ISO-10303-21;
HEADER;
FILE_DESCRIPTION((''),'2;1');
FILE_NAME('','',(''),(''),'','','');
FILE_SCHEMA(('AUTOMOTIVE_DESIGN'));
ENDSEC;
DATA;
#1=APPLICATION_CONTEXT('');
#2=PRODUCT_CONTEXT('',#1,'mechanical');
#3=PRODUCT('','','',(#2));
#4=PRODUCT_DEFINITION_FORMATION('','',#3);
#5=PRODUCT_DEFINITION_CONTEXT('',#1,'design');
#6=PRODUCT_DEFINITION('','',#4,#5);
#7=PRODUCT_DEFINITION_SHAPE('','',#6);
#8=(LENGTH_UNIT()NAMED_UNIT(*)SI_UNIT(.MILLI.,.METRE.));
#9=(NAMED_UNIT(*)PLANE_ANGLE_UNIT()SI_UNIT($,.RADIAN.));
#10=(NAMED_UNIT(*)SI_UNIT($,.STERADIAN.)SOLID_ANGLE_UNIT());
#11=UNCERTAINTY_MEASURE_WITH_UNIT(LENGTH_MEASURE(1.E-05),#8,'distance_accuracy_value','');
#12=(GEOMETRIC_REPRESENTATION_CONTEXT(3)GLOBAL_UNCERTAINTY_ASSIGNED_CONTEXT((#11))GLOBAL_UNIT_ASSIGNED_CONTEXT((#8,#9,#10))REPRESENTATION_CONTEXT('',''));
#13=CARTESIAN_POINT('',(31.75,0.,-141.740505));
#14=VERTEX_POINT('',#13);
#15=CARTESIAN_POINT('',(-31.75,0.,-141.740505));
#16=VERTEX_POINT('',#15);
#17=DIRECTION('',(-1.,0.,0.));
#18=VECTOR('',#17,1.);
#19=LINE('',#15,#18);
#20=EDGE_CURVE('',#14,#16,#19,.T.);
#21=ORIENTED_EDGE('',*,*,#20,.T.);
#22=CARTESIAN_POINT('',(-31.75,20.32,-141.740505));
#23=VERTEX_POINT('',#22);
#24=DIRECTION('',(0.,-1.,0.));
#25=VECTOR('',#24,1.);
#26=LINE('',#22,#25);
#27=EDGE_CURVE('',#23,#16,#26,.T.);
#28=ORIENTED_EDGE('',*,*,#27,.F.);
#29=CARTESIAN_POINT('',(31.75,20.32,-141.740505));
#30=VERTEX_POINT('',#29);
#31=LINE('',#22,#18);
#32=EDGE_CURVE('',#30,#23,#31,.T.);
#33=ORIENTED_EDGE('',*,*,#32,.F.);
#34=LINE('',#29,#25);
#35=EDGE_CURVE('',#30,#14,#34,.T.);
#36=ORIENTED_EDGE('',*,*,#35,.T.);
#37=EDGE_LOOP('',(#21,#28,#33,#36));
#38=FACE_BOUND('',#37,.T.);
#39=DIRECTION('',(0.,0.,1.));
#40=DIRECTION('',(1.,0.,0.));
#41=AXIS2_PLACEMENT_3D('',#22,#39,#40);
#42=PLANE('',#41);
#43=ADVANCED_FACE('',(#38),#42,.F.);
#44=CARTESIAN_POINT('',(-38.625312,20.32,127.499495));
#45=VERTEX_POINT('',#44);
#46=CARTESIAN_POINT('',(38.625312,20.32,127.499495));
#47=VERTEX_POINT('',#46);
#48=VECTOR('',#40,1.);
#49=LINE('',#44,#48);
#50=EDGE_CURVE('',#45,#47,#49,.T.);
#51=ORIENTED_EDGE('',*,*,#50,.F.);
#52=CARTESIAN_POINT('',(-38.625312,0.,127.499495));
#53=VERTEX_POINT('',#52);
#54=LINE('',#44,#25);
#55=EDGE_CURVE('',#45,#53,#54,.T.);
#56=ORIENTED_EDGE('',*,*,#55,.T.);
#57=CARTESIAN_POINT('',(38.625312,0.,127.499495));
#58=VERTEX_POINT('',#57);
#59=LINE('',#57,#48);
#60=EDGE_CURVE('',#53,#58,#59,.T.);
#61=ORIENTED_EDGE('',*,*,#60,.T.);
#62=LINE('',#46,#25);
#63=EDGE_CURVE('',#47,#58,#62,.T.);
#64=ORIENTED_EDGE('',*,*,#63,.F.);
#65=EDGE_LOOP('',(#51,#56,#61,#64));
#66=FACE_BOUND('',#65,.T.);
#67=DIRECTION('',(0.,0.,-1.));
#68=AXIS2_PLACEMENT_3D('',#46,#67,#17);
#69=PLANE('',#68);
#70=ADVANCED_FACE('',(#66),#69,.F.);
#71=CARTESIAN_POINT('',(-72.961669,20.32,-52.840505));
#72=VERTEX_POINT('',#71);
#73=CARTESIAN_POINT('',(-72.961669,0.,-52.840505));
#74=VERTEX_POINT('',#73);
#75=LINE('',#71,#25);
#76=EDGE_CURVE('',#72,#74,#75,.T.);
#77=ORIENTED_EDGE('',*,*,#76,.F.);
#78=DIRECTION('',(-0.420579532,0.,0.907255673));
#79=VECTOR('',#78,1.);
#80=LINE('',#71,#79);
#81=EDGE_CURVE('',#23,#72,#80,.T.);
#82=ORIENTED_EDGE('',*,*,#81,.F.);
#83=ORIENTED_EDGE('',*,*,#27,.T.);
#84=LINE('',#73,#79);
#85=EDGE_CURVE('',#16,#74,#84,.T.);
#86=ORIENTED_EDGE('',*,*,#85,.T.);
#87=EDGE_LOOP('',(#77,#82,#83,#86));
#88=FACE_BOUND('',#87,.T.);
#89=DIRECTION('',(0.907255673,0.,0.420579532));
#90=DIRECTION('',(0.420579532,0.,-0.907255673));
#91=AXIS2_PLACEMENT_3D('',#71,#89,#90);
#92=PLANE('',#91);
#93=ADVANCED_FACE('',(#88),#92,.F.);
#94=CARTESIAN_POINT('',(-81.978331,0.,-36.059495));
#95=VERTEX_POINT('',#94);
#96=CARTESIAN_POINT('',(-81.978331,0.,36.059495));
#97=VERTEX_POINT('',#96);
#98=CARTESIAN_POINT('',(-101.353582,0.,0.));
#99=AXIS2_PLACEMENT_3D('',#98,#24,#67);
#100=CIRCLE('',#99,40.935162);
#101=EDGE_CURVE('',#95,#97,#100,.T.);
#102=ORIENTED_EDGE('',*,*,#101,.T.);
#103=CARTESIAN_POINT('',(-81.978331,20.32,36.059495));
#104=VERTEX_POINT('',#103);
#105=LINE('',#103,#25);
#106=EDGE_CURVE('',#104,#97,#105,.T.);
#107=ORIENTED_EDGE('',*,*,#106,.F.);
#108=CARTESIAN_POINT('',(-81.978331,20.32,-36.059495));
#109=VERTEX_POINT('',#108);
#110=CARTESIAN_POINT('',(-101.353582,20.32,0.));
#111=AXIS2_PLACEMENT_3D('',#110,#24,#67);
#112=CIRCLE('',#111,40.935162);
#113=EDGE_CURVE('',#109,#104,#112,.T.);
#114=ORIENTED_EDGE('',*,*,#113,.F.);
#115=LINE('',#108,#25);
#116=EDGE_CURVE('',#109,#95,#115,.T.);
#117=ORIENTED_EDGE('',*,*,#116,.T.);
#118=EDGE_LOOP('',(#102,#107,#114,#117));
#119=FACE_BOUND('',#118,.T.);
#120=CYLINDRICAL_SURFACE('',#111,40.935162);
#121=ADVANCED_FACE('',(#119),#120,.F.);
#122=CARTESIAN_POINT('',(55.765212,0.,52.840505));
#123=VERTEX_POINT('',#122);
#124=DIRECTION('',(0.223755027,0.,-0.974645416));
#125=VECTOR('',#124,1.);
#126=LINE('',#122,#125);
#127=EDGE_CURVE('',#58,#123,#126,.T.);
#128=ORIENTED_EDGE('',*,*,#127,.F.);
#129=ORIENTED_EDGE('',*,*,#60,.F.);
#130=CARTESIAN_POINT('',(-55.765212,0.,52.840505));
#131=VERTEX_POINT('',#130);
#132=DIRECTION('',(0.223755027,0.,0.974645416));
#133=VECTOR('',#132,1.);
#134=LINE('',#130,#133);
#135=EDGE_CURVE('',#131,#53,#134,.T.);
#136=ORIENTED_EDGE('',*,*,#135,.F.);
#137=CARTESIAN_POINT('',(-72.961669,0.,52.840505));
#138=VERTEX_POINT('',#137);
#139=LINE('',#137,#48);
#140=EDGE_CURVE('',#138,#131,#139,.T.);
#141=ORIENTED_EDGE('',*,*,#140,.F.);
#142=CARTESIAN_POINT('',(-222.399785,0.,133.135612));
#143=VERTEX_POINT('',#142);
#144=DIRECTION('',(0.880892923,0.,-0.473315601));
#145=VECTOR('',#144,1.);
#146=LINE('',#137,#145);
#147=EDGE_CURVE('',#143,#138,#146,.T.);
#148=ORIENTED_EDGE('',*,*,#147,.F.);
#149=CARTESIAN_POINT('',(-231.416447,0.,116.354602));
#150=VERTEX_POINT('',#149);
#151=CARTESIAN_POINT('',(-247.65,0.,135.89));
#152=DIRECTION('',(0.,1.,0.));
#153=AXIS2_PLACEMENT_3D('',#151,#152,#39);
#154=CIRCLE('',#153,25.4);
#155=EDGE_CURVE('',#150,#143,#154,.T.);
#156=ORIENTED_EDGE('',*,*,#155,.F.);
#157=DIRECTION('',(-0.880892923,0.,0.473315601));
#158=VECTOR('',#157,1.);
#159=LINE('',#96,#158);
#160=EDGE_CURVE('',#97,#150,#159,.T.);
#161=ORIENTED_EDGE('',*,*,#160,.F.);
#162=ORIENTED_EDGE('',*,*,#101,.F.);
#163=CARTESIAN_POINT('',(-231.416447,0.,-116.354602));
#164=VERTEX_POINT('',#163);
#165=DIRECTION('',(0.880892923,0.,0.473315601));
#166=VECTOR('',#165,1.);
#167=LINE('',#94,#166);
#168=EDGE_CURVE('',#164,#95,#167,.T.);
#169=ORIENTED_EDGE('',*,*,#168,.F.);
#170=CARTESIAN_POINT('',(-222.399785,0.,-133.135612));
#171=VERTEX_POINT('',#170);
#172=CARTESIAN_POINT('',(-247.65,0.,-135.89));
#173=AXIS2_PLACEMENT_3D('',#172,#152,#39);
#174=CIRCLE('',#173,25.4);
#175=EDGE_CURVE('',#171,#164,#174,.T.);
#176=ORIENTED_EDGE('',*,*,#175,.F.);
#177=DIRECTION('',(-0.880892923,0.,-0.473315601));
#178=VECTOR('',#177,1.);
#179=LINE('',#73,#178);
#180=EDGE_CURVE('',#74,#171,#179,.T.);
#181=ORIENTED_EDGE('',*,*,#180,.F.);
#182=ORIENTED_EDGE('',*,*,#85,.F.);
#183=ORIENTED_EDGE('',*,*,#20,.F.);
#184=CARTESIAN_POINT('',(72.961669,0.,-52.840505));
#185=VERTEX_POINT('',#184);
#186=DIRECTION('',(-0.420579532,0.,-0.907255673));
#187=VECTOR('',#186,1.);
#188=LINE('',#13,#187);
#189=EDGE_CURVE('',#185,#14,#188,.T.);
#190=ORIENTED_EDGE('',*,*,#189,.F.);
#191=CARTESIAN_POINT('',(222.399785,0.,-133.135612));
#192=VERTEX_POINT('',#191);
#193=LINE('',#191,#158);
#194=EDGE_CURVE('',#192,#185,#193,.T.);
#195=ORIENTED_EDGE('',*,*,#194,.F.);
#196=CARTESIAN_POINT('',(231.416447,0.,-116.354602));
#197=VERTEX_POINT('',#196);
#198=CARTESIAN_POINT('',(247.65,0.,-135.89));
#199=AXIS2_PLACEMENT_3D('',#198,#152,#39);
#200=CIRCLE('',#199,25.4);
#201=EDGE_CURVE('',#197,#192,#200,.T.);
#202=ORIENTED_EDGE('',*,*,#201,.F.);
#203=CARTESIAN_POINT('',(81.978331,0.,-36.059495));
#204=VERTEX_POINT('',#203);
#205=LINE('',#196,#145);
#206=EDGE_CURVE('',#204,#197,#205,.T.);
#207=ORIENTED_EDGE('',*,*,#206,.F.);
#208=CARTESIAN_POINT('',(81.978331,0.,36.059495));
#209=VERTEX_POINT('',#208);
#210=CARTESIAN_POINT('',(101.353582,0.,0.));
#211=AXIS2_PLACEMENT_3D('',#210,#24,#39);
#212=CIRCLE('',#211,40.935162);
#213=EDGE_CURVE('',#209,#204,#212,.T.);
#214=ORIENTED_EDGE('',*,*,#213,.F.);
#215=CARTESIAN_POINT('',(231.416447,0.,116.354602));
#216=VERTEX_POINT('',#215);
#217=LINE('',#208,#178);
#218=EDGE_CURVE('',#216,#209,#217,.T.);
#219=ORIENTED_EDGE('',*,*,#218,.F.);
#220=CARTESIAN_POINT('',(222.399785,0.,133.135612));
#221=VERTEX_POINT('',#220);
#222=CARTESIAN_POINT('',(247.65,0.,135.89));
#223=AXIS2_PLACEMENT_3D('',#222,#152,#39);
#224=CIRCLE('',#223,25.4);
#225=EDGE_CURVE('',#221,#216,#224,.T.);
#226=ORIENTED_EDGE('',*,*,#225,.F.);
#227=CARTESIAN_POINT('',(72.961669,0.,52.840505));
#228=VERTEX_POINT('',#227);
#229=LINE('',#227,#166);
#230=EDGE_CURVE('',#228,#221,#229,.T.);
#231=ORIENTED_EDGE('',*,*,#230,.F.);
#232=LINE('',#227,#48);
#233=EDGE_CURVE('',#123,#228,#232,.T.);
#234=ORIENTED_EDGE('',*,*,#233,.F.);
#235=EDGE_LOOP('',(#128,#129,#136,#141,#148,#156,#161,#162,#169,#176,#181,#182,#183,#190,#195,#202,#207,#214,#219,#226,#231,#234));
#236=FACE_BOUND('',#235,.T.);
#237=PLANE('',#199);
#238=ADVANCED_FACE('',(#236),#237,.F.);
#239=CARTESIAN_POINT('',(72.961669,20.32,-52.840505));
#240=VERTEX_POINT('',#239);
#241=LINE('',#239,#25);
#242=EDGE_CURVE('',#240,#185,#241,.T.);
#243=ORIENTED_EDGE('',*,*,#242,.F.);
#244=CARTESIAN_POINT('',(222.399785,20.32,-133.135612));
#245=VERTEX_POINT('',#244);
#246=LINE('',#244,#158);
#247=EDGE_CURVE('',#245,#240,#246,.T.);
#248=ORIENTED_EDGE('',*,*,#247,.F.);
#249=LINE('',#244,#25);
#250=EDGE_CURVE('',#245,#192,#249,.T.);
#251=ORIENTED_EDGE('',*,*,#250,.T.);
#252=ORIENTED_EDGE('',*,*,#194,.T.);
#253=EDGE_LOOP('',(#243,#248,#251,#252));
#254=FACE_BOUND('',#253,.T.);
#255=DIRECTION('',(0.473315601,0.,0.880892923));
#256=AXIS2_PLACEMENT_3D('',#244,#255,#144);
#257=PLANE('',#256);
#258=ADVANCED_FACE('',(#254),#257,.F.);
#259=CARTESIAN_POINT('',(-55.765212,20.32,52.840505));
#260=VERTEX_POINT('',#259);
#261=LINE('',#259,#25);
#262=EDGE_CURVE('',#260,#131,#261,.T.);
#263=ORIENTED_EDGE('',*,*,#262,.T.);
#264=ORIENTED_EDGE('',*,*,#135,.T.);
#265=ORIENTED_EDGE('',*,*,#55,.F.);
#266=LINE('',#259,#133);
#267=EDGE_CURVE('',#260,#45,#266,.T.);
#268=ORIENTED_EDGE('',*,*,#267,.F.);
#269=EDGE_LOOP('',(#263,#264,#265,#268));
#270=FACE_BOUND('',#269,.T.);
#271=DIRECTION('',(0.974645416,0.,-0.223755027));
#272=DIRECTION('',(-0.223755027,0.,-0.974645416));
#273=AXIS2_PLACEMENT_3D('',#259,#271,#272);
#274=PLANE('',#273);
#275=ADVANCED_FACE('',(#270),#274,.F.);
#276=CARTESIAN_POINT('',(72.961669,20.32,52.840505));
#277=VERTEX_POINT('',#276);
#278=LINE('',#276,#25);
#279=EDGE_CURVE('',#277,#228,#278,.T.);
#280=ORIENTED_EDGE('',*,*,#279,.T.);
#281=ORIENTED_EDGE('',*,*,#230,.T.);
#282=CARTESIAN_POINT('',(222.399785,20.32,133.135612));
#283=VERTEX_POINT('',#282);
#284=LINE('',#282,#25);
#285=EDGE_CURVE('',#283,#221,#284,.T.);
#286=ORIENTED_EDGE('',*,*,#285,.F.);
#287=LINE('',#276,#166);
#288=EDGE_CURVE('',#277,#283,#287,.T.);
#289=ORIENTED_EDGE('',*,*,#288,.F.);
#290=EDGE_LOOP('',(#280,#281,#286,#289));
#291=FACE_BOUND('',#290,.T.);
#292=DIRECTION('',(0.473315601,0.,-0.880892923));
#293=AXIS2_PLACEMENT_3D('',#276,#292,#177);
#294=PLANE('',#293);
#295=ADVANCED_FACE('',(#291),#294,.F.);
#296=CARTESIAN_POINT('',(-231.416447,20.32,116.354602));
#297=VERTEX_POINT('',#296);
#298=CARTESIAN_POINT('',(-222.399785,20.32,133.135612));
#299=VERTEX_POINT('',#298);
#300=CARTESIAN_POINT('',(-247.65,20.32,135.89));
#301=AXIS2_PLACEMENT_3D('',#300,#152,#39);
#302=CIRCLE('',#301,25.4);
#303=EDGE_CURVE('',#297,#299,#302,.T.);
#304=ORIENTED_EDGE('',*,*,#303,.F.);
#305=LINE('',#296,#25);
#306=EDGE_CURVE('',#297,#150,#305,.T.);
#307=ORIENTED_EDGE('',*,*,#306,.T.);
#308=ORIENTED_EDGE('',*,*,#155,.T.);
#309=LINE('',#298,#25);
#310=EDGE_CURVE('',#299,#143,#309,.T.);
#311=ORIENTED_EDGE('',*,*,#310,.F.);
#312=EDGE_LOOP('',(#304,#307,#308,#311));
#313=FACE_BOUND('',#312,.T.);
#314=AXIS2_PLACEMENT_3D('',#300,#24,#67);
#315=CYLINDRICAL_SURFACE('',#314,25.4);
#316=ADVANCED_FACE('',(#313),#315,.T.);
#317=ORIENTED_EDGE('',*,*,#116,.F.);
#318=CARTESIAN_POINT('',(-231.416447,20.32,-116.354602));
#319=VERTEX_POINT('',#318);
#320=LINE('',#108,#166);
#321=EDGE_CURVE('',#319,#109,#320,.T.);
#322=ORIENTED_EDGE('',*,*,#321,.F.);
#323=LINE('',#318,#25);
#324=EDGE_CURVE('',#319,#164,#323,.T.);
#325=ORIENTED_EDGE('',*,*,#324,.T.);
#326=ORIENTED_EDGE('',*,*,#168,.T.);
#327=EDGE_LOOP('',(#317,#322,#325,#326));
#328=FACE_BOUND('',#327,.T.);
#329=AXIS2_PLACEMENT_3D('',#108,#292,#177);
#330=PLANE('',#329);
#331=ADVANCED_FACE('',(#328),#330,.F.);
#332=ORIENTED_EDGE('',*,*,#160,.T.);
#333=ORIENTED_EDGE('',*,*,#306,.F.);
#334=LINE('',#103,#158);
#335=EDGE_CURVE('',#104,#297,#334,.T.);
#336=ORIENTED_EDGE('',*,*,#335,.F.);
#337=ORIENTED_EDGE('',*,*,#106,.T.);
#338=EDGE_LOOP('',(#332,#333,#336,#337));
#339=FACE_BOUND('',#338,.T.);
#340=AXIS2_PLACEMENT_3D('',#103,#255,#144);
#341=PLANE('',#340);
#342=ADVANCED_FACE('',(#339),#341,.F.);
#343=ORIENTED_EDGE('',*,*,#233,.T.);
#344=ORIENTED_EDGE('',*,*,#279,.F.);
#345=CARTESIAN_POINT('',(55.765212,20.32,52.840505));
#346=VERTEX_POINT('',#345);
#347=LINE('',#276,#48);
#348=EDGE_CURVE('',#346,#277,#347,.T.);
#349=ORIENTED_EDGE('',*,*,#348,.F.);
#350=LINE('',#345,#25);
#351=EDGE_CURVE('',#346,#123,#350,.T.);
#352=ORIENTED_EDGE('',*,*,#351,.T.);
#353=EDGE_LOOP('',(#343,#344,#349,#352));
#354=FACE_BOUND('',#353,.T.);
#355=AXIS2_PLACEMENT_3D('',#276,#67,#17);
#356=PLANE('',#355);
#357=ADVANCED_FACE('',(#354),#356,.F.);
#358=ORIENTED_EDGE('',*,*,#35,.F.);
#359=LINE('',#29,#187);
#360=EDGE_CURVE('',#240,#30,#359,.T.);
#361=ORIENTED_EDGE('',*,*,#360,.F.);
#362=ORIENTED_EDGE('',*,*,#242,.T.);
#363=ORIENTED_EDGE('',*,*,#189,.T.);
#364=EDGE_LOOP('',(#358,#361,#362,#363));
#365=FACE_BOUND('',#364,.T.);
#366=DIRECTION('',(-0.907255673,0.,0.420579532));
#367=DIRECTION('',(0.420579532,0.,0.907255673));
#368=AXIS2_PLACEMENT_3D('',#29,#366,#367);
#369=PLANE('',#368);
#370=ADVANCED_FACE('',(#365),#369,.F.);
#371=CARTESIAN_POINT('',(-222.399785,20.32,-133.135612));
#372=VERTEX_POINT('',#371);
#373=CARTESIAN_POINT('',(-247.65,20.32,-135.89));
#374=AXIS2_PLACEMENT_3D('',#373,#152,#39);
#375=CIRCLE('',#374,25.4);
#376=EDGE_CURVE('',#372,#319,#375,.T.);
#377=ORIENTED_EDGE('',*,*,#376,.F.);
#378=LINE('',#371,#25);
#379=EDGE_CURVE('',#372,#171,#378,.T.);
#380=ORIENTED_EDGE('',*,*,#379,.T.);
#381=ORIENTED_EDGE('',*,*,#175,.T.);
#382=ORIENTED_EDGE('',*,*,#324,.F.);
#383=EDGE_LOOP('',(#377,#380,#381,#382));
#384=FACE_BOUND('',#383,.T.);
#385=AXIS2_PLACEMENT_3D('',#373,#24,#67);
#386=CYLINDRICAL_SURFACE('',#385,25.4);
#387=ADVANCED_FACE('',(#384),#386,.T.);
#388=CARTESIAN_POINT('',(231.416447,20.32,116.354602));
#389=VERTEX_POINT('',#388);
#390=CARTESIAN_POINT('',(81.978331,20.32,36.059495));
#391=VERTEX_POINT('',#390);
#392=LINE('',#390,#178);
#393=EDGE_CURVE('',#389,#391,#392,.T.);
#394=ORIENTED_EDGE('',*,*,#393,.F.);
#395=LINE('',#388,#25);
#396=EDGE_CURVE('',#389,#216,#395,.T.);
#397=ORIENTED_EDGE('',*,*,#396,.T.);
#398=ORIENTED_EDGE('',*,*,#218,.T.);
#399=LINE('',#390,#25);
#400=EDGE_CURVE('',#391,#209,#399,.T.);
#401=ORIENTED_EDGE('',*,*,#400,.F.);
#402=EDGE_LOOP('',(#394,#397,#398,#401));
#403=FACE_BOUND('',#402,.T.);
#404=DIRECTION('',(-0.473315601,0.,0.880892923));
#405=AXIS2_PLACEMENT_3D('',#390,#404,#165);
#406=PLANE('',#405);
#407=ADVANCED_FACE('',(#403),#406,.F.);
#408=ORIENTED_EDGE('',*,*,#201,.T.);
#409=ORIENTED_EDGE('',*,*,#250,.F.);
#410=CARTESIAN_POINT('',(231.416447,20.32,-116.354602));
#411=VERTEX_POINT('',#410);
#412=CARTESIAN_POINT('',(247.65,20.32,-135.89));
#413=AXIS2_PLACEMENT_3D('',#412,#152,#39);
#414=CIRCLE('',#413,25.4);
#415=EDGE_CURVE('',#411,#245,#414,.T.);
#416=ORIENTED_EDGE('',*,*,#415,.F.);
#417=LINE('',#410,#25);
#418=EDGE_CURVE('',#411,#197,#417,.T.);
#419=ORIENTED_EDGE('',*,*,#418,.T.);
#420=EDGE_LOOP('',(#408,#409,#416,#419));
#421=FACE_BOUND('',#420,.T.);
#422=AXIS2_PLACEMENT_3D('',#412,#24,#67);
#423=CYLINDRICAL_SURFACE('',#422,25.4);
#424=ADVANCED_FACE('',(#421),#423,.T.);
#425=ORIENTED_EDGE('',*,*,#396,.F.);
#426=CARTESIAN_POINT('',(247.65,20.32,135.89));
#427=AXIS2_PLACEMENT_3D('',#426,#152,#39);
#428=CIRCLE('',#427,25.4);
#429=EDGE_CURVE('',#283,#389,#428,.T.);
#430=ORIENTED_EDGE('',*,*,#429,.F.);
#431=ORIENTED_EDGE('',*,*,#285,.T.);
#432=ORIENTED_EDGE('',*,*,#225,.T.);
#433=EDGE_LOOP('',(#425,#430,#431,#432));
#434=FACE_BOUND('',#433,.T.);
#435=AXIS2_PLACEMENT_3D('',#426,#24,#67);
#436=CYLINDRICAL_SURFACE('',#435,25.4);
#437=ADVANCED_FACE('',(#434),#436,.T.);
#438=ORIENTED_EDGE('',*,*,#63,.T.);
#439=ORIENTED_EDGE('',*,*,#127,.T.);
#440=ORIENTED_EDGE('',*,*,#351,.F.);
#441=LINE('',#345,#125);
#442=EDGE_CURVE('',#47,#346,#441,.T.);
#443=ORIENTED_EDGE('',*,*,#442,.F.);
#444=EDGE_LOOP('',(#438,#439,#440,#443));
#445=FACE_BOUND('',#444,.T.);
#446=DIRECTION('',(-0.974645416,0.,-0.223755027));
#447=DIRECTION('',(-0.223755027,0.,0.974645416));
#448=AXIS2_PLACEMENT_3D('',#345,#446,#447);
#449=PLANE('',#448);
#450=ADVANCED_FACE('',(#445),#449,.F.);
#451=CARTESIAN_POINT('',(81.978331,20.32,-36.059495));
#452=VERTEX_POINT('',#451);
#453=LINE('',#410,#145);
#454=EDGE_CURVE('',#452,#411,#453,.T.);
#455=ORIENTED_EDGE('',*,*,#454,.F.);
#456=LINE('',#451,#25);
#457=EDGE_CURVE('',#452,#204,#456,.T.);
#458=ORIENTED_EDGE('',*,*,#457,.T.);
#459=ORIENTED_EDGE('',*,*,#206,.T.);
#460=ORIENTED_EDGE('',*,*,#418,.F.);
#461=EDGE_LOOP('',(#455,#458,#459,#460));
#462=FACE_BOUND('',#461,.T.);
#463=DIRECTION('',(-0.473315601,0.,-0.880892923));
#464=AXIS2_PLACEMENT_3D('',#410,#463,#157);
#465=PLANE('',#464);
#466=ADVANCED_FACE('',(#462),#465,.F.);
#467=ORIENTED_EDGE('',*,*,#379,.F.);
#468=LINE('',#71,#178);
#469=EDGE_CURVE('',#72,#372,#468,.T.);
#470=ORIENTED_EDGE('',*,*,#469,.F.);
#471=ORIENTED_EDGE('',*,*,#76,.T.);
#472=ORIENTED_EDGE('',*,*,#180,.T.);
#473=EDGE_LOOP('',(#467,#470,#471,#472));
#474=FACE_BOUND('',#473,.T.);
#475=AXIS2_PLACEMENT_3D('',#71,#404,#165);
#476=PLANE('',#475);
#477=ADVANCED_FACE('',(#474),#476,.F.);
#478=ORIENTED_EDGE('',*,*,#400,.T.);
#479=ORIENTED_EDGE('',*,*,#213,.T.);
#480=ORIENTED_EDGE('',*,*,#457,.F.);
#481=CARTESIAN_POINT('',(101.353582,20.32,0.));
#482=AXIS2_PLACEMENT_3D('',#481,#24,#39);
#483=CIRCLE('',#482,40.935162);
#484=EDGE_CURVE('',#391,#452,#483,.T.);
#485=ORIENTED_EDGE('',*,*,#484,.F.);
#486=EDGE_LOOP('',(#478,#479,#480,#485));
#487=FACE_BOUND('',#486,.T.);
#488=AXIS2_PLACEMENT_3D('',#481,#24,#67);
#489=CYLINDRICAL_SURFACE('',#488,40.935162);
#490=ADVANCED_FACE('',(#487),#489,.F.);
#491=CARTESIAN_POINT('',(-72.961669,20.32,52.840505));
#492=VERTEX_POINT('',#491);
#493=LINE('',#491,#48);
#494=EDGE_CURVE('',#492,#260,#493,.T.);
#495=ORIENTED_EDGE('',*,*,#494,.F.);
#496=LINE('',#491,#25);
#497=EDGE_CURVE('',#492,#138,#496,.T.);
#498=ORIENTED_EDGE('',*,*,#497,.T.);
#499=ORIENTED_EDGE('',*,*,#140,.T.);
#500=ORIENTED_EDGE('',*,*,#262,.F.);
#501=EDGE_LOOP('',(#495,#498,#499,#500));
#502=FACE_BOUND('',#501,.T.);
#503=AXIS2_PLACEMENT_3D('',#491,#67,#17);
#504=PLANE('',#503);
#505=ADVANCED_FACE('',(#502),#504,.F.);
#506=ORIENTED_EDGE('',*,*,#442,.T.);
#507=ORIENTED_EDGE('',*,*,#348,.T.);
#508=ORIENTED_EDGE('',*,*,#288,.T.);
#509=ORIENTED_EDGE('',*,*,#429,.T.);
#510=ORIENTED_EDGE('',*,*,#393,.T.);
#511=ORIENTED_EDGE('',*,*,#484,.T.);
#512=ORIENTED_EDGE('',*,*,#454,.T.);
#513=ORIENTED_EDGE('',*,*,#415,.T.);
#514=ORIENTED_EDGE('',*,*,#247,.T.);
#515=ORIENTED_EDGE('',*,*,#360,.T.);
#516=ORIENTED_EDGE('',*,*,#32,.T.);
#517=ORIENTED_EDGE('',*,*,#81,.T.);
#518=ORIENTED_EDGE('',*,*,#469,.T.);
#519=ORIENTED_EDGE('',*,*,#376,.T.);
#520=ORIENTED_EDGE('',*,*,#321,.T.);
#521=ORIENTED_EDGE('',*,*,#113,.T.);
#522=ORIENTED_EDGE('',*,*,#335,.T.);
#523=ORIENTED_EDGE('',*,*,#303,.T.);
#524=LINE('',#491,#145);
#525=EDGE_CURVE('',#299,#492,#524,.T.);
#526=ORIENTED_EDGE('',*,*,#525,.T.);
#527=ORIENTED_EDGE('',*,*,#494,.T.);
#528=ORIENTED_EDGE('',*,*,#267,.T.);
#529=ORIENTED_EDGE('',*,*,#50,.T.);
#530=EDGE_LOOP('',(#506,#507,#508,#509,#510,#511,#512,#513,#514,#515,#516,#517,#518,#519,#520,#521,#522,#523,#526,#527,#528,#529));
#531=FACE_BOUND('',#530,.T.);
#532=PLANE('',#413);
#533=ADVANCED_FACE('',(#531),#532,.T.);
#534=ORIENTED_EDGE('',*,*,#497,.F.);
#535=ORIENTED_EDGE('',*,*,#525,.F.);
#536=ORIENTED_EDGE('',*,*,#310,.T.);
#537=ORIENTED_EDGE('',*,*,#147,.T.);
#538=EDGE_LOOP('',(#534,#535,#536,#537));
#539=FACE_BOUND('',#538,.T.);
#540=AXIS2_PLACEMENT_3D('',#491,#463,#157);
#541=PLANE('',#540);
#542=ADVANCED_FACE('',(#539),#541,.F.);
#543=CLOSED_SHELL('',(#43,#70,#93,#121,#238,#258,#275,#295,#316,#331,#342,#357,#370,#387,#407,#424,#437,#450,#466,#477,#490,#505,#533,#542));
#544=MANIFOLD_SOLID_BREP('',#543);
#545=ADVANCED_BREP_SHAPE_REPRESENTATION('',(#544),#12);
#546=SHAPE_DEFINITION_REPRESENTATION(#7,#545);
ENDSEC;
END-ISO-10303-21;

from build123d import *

# Parameters (mm, degrees)
BOSS_EXTRUDE1_DEPTH = 20.32


with BuildPart() as part:
    # Sketch1 → Boss-Extrude1 (new body)
    with BuildSketch(Plane(origin=(0, 0, 0), x_dir=(1, 0, 0), z_dir=(0, 1, 0))):
        with BuildLine():
            Line((-72.961668905, 52.840505094), (-222.399785176, 133.135612345))
            ThreePointArc((-222.399785176, 133.135612345), (-270.024680251, 147.912216254), (-231.416447367, 116.354602156))
            Line((-231.416447367, 116.354602156), (-81.978331095, 36.059494906))
            ThreePointArc((-81.978331095, 36.059494906), (-60.41841965, 0), (-81.978331095, -36.059494906))
            Line((-81.978331095, -36.059494906), (-231.416447367, -116.354602156))
            ThreePointArc((-231.416447367, -116.354602156), (-270.024680251, -147.912216254), (-222.399785176, -133.135612345))
            Line((-222.399785176, -133.135612345), (-72.961668905, -52.840505094))
            Line((-72.961668905, -52.840505094), (-55.765211733, -52.840505094))
            Line((-55.765211733, -52.840505094), (-38.625312425, -127.499494906))
            Line((-38.625312425, -127.499494906), (0, -127.499494906))
            Line((0, -127.499494906), (38.625312425, -127.499494906))
            Line((38.625312425, -127.499494906), (55.765211733, -52.840505094))
            Line((55.765211733, -52.840505094), (72.961668905, -52.840505094))
            Line((72.961668905, -52.840505094), (222.399785176, -133.135612345))
            ThreePointArc((222.399785176, -133.135612345), (270.024680251, -147.912216254), (231.416447367, -116.354602156))
            Line((231.416447367, -116.354602156), (81.978331095, -36.059494906))
            ThreePointArc((81.978331095, -36.059494906), (60.41841965, 0), (81.978331095, 36.059494906))
            Line((81.978331095, 36.059494906), (231.416447367, 116.354602156))
            ThreePointArc((231.416447367, 116.354602156), (270.024680251, 147.912216254), (222.399785176, 133.135612345))
            Line((222.399785176, 133.135612345), (72.961668905, 52.840505094))
            Line((72.961668905, 52.840505094), (31.75, 141.740505094))
            Line((31.75, 141.740505094), (-31.75, 141.740505094))
            Line((-31.75, 141.740505094), (-72.961668905, 52.840505094))
        make_face()
    extrude(amount=BOSS_EXTRUDE1_DEPTH)


solid = part.part
